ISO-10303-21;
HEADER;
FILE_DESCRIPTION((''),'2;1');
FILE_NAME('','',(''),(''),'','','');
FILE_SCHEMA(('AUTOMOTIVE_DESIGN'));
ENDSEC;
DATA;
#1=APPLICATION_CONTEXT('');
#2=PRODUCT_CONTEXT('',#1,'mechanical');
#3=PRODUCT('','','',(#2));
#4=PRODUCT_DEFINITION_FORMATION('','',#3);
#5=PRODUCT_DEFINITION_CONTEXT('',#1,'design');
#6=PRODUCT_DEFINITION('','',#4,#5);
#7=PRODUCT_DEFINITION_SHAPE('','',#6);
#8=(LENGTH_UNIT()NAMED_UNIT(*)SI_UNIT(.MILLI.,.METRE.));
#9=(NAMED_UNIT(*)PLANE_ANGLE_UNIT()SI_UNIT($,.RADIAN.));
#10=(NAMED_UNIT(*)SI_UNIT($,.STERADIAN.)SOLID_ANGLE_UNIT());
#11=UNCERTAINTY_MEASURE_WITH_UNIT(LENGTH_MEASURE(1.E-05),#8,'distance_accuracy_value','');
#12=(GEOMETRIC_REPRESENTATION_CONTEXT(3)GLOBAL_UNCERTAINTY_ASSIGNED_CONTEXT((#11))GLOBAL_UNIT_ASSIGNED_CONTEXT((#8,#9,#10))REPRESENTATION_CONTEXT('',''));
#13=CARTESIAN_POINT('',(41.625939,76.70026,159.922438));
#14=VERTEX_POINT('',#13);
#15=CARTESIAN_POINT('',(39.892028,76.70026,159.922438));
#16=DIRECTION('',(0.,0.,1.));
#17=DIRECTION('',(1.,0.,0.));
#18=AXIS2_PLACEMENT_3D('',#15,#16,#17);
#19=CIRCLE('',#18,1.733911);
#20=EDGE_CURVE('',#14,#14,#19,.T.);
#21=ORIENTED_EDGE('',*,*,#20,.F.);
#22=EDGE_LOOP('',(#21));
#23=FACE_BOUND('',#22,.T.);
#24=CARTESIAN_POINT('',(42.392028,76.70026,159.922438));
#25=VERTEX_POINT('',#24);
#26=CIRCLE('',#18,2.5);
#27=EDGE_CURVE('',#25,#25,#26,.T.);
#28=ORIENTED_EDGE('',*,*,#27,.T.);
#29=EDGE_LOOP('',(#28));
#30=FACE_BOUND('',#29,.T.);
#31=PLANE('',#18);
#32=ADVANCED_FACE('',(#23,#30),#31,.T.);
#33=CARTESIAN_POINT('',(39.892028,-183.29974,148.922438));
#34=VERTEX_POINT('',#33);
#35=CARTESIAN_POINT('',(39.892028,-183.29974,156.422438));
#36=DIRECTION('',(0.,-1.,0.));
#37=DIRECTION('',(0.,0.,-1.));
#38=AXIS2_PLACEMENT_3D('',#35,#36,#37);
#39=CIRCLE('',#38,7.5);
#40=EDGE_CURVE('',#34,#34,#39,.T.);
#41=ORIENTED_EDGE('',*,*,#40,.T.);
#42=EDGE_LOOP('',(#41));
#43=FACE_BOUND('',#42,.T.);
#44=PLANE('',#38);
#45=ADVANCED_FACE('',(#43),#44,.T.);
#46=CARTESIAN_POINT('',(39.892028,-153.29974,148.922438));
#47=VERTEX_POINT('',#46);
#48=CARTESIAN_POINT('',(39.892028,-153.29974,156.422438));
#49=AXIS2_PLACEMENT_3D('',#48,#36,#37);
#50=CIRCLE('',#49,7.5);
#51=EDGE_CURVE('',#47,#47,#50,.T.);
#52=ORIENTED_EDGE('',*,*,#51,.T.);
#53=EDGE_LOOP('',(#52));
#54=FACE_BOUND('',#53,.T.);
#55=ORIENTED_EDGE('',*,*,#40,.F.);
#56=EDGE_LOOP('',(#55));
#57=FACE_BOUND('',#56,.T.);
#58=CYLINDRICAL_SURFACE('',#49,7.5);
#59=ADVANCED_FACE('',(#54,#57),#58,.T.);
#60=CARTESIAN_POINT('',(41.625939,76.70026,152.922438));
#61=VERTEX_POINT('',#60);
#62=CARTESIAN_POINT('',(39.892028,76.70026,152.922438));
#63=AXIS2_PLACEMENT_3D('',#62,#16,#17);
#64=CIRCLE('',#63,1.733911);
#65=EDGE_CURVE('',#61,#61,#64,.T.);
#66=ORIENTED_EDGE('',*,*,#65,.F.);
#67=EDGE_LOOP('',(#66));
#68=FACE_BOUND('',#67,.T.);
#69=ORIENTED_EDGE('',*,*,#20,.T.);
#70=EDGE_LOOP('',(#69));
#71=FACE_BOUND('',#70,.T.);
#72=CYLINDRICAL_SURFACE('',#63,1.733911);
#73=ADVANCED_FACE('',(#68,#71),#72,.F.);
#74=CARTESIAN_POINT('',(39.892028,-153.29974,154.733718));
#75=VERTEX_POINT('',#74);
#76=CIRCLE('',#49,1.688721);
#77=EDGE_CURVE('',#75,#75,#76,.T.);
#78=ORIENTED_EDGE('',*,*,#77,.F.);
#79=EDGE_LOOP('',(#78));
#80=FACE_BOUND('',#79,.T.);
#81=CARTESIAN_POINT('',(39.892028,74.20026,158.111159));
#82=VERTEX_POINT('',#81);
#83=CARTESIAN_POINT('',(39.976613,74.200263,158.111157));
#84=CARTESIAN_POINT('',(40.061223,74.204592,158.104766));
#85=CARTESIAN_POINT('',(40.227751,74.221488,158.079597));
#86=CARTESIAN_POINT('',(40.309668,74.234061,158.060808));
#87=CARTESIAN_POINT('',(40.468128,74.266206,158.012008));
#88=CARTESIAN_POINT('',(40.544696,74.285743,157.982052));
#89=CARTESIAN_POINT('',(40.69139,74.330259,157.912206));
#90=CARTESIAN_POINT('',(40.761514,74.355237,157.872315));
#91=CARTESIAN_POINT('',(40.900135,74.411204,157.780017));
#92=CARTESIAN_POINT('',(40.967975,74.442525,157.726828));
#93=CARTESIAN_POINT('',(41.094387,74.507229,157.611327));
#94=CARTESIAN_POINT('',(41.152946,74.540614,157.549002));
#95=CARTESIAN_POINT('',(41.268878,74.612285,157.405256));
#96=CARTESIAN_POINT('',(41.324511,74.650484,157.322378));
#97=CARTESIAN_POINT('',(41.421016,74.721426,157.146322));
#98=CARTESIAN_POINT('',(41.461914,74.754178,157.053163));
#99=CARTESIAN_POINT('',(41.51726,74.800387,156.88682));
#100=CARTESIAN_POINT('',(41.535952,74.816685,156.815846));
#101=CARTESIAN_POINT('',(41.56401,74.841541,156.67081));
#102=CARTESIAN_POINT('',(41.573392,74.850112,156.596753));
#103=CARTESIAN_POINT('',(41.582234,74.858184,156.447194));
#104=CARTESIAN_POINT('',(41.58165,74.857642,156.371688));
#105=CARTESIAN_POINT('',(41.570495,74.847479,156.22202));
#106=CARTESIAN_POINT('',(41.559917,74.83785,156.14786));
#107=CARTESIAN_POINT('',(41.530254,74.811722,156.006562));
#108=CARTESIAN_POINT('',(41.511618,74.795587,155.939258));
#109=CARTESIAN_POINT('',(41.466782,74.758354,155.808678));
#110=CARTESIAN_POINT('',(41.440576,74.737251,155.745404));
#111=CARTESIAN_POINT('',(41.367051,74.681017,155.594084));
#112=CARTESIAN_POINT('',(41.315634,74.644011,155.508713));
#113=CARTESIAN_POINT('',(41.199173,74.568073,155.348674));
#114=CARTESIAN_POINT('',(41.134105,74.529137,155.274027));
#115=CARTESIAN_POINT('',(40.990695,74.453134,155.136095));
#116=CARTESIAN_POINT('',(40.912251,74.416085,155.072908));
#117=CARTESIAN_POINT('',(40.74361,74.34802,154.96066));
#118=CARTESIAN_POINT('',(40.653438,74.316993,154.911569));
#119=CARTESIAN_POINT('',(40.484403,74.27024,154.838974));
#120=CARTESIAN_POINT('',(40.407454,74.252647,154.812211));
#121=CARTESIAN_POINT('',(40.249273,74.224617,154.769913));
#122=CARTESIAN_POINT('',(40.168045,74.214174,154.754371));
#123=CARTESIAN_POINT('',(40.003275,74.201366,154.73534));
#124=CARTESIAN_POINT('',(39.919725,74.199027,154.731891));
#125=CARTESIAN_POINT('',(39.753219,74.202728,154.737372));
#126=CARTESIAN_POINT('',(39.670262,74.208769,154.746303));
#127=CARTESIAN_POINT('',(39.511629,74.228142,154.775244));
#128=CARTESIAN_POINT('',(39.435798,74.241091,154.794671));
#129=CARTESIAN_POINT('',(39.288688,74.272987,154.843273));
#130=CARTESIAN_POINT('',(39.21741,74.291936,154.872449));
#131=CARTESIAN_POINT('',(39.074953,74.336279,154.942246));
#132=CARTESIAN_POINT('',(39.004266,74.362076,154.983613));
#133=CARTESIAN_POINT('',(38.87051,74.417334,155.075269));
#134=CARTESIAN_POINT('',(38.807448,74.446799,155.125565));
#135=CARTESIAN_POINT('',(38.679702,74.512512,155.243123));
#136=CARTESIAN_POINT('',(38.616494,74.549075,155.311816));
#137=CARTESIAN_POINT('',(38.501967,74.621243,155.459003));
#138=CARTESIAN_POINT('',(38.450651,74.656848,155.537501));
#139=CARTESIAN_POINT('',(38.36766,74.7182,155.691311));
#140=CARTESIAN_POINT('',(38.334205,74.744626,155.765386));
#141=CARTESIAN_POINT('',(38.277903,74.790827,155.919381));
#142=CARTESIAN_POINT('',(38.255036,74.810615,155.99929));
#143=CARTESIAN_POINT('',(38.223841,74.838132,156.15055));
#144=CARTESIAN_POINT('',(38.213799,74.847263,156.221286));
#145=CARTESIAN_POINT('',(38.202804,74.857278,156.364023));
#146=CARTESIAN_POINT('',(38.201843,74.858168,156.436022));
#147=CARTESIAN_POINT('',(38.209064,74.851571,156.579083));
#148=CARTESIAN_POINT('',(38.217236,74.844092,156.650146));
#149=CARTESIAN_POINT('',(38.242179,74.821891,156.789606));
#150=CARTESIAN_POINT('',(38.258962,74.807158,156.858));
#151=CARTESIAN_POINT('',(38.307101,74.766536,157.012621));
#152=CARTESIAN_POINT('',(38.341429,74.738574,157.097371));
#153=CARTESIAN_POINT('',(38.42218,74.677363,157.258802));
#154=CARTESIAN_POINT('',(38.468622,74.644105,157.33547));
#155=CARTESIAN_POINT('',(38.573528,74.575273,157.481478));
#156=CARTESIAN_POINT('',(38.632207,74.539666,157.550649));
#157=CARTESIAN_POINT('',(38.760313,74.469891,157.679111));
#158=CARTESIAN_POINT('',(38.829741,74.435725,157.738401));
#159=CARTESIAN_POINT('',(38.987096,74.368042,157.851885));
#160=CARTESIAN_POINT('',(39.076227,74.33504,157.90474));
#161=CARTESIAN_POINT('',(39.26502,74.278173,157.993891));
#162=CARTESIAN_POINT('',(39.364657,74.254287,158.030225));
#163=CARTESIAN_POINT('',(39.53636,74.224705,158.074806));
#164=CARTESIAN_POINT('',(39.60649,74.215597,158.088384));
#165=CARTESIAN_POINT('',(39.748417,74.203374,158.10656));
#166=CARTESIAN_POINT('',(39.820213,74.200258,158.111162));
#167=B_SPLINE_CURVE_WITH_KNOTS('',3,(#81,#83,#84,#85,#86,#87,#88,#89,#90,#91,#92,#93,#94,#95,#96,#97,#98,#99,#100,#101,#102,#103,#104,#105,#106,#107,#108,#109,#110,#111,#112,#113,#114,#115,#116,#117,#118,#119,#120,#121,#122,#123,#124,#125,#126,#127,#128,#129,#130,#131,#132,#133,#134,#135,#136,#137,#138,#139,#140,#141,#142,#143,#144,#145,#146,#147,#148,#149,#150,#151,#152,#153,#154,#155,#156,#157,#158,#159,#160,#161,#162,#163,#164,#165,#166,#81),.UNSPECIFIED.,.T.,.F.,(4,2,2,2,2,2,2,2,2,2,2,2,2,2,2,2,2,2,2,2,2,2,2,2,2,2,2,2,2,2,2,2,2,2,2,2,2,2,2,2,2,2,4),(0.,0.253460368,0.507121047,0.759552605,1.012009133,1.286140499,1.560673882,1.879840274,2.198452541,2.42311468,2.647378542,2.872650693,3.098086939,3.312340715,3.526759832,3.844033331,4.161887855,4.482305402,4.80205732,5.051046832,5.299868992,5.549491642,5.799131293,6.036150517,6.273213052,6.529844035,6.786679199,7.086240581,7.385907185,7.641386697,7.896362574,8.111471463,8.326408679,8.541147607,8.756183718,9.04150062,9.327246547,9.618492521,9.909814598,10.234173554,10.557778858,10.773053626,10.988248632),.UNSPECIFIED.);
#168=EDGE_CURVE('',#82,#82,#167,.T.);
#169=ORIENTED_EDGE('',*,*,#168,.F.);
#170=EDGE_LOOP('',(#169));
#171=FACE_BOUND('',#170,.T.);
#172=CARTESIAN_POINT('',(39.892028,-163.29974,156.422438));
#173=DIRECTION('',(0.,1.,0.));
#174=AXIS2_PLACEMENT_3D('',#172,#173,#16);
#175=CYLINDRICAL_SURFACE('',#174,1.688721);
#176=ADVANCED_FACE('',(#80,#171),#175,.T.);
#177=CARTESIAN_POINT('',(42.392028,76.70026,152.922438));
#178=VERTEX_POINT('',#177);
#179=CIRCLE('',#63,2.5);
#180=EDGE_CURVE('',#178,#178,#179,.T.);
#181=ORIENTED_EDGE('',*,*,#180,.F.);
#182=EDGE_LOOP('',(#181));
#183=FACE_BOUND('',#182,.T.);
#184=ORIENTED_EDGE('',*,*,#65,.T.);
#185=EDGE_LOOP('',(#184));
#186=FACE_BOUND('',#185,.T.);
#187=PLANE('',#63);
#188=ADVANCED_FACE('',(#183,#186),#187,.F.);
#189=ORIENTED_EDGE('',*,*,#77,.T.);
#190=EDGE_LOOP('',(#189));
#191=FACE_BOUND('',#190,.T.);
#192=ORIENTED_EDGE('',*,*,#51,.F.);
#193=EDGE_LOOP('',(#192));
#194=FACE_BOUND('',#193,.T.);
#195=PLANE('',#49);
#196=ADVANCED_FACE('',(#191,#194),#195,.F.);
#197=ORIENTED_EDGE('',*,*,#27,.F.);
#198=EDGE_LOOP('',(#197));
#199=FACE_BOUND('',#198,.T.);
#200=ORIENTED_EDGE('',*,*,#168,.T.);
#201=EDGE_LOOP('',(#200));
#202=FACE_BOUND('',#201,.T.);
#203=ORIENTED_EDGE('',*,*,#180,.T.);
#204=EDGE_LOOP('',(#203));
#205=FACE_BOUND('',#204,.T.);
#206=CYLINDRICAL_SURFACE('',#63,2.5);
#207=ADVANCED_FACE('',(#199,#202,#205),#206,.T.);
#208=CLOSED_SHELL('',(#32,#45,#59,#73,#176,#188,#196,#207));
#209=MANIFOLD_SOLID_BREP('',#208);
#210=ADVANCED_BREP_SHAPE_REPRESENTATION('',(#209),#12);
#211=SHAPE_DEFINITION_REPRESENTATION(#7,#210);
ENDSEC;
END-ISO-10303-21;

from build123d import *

# Parameters (mm, degrees)
BOSS_EXTRUDE1_START      = -7
SKETCH1_R                = 2.5
SKETCH1_R_2              = 1.733910687
BOSS_EXTRUDE1_DEPTH      = 7
SKETCH2_R                = 1.688720836
BOSS_EXTRUDE2_DEPTH      = 200
BOSS_EXTRUDE2_DEPTH_BACK = 38.25
BOSS_EXTRUDE3_START      = 20
SKETCH3_R                = 7.5
BOSS_EXTRUDE3_DEPTH      = 30


with BuildPart() as part:
    # Sketch1 → Boss-Extrude1 (new body)
    with BuildSketch(Plane.XY.offset(166.922438479).offset(BOSS_EXTRUDE1_START)):
        with Locations((39.892028068, 76.700259913)):
            Circle(SKETCH1_R)
        with Locations((39.892028068, 76.700259913)):
            Circle(SKETCH1_R_2, mode=Mode.SUBTRACT)
    extrude(amount=-BOSS_EXTRUDE1_DEPTH)

    # Sketch2 → Boss-Extrude2 (add, two sides)
    with BuildSketch(Plane.XZ.offset(-36.700259913)) as boss_extrude2_sk:
        with Locations((39.892028068, 156.422438479)):
            Circle(SKETCH2_R)
    extrude(amount=BOSS_EXTRUDE2_DEPTH)
    extrude(boss_extrude2_sk.sketch, amount=-BOSS_EXTRUDE2_DEPTH_BACK)

    # Sketch3 → Boss-Extrude3 (add)
    with BuildSketch(Plane(origin=(0, -163.299740087, 0), x_dir=(-1, 0, 0), z_dir=(0, -1, 0)).offset(BOSS_EXTRUDE3_START)):
        with Locations((-39.892028068, -156.422438479)):
            Circle(SKETCH3_R)
    extrude(amount=-BOSS_EXTRUDE3_DEPTH)


solid = part.part
